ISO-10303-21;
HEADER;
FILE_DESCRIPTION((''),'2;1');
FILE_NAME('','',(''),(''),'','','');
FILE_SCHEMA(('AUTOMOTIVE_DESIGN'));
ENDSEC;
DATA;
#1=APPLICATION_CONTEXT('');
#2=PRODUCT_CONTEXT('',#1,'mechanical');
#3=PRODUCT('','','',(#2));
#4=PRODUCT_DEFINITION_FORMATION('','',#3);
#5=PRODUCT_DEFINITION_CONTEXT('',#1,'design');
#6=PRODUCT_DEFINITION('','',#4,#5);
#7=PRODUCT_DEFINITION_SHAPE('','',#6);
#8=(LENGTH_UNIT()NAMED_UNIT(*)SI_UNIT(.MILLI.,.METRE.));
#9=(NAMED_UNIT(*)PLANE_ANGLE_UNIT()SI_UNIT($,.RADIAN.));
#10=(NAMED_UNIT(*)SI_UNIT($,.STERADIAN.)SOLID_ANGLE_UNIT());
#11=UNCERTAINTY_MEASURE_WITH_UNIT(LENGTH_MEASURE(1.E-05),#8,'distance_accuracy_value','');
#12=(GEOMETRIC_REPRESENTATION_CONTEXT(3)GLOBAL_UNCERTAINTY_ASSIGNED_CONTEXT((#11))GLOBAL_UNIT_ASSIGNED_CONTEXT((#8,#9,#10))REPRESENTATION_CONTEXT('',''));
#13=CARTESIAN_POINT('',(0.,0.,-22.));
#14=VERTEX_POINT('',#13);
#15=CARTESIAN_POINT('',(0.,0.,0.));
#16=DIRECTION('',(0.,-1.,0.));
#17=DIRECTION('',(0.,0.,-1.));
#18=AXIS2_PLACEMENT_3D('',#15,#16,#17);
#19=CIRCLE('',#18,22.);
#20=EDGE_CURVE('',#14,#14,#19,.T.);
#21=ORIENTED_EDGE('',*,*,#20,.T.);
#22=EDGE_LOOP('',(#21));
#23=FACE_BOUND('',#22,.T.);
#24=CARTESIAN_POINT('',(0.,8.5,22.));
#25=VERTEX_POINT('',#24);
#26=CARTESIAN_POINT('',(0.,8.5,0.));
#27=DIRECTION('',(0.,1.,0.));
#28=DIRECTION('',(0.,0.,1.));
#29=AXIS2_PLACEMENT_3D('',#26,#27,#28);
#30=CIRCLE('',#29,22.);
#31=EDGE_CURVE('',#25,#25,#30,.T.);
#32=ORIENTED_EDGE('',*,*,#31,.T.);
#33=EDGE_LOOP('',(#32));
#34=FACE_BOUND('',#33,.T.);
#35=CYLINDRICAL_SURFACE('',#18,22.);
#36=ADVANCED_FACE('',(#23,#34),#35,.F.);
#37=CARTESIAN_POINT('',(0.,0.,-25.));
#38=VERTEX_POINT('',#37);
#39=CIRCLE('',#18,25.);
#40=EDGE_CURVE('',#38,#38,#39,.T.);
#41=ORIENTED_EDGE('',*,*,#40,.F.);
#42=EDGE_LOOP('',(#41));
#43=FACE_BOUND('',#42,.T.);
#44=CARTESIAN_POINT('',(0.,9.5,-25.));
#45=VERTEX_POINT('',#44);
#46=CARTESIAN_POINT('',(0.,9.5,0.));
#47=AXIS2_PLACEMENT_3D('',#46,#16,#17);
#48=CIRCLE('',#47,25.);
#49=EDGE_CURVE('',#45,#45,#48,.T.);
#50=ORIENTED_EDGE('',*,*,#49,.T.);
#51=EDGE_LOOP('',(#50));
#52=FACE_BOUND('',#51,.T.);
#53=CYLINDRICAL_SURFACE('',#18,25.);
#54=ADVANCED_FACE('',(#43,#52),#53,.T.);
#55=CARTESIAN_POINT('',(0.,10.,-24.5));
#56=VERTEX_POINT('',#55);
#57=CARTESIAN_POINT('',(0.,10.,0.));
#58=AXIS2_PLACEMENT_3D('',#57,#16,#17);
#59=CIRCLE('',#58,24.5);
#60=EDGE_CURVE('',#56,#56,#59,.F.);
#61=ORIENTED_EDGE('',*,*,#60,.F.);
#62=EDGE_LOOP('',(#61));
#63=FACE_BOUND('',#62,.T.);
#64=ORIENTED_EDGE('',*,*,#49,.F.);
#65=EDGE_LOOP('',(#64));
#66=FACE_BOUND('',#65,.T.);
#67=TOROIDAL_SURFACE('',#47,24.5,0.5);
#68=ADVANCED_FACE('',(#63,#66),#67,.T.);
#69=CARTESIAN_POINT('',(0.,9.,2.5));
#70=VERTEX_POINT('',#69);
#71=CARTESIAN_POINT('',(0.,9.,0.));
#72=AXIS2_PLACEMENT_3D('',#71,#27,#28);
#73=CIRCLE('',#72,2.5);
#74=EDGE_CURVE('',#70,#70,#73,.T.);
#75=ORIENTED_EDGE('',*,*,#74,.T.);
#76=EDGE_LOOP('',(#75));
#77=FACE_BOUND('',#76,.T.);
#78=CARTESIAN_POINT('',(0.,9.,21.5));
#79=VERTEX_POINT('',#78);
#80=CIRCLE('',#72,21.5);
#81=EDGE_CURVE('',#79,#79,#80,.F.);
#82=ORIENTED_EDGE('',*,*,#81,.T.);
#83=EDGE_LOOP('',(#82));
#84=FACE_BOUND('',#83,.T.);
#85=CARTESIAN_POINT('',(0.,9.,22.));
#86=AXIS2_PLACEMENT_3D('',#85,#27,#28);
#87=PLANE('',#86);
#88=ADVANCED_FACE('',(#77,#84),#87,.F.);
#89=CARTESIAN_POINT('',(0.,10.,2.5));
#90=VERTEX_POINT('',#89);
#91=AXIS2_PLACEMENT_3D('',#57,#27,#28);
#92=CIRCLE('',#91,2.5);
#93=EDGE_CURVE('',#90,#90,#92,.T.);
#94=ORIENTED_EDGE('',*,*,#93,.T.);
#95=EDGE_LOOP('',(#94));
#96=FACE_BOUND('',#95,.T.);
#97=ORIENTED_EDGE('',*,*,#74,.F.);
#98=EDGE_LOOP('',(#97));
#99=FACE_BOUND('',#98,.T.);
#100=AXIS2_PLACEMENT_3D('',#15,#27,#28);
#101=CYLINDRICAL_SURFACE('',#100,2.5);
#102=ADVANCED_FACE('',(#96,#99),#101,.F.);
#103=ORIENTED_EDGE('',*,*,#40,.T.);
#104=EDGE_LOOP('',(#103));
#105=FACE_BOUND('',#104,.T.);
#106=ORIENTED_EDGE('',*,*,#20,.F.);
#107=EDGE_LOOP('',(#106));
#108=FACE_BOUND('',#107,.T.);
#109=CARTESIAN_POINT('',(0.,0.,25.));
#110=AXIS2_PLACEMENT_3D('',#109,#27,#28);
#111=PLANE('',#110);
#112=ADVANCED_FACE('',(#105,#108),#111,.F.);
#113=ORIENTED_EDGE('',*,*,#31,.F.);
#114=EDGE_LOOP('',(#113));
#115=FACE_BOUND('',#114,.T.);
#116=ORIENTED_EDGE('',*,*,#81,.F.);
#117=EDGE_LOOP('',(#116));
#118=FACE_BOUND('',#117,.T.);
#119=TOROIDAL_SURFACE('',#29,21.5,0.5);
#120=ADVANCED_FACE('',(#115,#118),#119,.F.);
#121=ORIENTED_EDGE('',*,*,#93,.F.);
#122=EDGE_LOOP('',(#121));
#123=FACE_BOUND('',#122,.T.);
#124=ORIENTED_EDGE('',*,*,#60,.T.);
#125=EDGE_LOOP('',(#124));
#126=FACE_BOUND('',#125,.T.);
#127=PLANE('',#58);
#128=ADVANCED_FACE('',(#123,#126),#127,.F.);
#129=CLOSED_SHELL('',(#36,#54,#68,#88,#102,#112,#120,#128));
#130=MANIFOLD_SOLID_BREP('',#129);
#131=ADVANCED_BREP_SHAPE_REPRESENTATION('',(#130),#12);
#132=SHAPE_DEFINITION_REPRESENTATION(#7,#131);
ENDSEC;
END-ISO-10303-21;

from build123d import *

# Parameters (mm, degrees)
CONG_1_R                = 0.5
ESQUISSE2_R             = 2.5
ENL_V_MAT_EXTRU_1_DEPTH = 10


with BuildPart() as part:
    # Esquisse1 → Révolution1 (revolve)
    with BuildSketch(Plane(origin=(0, 0, 0), x_dir=(0, 0, -1), z_dir=(1, 0, 0)), mode=Mode.PRIVATE) as r_volution1_sk:
        Polygon((0, 10), (-25, 10), (-25, 0), (-22, 0), (-22, 9), (0, 9), align=None)
    revolve(r_volution1_sk.sketch.rotate(Axis((0, 0, 0), (0, 1, 0)), 180), axis=Axis((0, 0, 0), (0, 1, 0)))

    # Congé1
    cong_1_edges = [part.edges().sort_by_distance(p)[0] for p in [
        (0, 9, 22),
        (0, 10, 25),
    ]]
    fillet(cong_1_edges, radius=CONG_1_R)

    # Esquisse2 → Enlèv. mat.-Extru.1 (cut)
    with BuildSketch(Plane(origin=(0, 10, 0), x_dir=(1, 0, 0), z_dir=(0, 1, 0))):
        with Locations(Location((0, 0, 0), (0, 0, 270))):
            Circle(ESQUISSE2_R)
    extrude(amount=-ENL_V_MAT_EXTRU_1_DEPTH, mode=Mode.SUBTRACT)


solid = part.part
